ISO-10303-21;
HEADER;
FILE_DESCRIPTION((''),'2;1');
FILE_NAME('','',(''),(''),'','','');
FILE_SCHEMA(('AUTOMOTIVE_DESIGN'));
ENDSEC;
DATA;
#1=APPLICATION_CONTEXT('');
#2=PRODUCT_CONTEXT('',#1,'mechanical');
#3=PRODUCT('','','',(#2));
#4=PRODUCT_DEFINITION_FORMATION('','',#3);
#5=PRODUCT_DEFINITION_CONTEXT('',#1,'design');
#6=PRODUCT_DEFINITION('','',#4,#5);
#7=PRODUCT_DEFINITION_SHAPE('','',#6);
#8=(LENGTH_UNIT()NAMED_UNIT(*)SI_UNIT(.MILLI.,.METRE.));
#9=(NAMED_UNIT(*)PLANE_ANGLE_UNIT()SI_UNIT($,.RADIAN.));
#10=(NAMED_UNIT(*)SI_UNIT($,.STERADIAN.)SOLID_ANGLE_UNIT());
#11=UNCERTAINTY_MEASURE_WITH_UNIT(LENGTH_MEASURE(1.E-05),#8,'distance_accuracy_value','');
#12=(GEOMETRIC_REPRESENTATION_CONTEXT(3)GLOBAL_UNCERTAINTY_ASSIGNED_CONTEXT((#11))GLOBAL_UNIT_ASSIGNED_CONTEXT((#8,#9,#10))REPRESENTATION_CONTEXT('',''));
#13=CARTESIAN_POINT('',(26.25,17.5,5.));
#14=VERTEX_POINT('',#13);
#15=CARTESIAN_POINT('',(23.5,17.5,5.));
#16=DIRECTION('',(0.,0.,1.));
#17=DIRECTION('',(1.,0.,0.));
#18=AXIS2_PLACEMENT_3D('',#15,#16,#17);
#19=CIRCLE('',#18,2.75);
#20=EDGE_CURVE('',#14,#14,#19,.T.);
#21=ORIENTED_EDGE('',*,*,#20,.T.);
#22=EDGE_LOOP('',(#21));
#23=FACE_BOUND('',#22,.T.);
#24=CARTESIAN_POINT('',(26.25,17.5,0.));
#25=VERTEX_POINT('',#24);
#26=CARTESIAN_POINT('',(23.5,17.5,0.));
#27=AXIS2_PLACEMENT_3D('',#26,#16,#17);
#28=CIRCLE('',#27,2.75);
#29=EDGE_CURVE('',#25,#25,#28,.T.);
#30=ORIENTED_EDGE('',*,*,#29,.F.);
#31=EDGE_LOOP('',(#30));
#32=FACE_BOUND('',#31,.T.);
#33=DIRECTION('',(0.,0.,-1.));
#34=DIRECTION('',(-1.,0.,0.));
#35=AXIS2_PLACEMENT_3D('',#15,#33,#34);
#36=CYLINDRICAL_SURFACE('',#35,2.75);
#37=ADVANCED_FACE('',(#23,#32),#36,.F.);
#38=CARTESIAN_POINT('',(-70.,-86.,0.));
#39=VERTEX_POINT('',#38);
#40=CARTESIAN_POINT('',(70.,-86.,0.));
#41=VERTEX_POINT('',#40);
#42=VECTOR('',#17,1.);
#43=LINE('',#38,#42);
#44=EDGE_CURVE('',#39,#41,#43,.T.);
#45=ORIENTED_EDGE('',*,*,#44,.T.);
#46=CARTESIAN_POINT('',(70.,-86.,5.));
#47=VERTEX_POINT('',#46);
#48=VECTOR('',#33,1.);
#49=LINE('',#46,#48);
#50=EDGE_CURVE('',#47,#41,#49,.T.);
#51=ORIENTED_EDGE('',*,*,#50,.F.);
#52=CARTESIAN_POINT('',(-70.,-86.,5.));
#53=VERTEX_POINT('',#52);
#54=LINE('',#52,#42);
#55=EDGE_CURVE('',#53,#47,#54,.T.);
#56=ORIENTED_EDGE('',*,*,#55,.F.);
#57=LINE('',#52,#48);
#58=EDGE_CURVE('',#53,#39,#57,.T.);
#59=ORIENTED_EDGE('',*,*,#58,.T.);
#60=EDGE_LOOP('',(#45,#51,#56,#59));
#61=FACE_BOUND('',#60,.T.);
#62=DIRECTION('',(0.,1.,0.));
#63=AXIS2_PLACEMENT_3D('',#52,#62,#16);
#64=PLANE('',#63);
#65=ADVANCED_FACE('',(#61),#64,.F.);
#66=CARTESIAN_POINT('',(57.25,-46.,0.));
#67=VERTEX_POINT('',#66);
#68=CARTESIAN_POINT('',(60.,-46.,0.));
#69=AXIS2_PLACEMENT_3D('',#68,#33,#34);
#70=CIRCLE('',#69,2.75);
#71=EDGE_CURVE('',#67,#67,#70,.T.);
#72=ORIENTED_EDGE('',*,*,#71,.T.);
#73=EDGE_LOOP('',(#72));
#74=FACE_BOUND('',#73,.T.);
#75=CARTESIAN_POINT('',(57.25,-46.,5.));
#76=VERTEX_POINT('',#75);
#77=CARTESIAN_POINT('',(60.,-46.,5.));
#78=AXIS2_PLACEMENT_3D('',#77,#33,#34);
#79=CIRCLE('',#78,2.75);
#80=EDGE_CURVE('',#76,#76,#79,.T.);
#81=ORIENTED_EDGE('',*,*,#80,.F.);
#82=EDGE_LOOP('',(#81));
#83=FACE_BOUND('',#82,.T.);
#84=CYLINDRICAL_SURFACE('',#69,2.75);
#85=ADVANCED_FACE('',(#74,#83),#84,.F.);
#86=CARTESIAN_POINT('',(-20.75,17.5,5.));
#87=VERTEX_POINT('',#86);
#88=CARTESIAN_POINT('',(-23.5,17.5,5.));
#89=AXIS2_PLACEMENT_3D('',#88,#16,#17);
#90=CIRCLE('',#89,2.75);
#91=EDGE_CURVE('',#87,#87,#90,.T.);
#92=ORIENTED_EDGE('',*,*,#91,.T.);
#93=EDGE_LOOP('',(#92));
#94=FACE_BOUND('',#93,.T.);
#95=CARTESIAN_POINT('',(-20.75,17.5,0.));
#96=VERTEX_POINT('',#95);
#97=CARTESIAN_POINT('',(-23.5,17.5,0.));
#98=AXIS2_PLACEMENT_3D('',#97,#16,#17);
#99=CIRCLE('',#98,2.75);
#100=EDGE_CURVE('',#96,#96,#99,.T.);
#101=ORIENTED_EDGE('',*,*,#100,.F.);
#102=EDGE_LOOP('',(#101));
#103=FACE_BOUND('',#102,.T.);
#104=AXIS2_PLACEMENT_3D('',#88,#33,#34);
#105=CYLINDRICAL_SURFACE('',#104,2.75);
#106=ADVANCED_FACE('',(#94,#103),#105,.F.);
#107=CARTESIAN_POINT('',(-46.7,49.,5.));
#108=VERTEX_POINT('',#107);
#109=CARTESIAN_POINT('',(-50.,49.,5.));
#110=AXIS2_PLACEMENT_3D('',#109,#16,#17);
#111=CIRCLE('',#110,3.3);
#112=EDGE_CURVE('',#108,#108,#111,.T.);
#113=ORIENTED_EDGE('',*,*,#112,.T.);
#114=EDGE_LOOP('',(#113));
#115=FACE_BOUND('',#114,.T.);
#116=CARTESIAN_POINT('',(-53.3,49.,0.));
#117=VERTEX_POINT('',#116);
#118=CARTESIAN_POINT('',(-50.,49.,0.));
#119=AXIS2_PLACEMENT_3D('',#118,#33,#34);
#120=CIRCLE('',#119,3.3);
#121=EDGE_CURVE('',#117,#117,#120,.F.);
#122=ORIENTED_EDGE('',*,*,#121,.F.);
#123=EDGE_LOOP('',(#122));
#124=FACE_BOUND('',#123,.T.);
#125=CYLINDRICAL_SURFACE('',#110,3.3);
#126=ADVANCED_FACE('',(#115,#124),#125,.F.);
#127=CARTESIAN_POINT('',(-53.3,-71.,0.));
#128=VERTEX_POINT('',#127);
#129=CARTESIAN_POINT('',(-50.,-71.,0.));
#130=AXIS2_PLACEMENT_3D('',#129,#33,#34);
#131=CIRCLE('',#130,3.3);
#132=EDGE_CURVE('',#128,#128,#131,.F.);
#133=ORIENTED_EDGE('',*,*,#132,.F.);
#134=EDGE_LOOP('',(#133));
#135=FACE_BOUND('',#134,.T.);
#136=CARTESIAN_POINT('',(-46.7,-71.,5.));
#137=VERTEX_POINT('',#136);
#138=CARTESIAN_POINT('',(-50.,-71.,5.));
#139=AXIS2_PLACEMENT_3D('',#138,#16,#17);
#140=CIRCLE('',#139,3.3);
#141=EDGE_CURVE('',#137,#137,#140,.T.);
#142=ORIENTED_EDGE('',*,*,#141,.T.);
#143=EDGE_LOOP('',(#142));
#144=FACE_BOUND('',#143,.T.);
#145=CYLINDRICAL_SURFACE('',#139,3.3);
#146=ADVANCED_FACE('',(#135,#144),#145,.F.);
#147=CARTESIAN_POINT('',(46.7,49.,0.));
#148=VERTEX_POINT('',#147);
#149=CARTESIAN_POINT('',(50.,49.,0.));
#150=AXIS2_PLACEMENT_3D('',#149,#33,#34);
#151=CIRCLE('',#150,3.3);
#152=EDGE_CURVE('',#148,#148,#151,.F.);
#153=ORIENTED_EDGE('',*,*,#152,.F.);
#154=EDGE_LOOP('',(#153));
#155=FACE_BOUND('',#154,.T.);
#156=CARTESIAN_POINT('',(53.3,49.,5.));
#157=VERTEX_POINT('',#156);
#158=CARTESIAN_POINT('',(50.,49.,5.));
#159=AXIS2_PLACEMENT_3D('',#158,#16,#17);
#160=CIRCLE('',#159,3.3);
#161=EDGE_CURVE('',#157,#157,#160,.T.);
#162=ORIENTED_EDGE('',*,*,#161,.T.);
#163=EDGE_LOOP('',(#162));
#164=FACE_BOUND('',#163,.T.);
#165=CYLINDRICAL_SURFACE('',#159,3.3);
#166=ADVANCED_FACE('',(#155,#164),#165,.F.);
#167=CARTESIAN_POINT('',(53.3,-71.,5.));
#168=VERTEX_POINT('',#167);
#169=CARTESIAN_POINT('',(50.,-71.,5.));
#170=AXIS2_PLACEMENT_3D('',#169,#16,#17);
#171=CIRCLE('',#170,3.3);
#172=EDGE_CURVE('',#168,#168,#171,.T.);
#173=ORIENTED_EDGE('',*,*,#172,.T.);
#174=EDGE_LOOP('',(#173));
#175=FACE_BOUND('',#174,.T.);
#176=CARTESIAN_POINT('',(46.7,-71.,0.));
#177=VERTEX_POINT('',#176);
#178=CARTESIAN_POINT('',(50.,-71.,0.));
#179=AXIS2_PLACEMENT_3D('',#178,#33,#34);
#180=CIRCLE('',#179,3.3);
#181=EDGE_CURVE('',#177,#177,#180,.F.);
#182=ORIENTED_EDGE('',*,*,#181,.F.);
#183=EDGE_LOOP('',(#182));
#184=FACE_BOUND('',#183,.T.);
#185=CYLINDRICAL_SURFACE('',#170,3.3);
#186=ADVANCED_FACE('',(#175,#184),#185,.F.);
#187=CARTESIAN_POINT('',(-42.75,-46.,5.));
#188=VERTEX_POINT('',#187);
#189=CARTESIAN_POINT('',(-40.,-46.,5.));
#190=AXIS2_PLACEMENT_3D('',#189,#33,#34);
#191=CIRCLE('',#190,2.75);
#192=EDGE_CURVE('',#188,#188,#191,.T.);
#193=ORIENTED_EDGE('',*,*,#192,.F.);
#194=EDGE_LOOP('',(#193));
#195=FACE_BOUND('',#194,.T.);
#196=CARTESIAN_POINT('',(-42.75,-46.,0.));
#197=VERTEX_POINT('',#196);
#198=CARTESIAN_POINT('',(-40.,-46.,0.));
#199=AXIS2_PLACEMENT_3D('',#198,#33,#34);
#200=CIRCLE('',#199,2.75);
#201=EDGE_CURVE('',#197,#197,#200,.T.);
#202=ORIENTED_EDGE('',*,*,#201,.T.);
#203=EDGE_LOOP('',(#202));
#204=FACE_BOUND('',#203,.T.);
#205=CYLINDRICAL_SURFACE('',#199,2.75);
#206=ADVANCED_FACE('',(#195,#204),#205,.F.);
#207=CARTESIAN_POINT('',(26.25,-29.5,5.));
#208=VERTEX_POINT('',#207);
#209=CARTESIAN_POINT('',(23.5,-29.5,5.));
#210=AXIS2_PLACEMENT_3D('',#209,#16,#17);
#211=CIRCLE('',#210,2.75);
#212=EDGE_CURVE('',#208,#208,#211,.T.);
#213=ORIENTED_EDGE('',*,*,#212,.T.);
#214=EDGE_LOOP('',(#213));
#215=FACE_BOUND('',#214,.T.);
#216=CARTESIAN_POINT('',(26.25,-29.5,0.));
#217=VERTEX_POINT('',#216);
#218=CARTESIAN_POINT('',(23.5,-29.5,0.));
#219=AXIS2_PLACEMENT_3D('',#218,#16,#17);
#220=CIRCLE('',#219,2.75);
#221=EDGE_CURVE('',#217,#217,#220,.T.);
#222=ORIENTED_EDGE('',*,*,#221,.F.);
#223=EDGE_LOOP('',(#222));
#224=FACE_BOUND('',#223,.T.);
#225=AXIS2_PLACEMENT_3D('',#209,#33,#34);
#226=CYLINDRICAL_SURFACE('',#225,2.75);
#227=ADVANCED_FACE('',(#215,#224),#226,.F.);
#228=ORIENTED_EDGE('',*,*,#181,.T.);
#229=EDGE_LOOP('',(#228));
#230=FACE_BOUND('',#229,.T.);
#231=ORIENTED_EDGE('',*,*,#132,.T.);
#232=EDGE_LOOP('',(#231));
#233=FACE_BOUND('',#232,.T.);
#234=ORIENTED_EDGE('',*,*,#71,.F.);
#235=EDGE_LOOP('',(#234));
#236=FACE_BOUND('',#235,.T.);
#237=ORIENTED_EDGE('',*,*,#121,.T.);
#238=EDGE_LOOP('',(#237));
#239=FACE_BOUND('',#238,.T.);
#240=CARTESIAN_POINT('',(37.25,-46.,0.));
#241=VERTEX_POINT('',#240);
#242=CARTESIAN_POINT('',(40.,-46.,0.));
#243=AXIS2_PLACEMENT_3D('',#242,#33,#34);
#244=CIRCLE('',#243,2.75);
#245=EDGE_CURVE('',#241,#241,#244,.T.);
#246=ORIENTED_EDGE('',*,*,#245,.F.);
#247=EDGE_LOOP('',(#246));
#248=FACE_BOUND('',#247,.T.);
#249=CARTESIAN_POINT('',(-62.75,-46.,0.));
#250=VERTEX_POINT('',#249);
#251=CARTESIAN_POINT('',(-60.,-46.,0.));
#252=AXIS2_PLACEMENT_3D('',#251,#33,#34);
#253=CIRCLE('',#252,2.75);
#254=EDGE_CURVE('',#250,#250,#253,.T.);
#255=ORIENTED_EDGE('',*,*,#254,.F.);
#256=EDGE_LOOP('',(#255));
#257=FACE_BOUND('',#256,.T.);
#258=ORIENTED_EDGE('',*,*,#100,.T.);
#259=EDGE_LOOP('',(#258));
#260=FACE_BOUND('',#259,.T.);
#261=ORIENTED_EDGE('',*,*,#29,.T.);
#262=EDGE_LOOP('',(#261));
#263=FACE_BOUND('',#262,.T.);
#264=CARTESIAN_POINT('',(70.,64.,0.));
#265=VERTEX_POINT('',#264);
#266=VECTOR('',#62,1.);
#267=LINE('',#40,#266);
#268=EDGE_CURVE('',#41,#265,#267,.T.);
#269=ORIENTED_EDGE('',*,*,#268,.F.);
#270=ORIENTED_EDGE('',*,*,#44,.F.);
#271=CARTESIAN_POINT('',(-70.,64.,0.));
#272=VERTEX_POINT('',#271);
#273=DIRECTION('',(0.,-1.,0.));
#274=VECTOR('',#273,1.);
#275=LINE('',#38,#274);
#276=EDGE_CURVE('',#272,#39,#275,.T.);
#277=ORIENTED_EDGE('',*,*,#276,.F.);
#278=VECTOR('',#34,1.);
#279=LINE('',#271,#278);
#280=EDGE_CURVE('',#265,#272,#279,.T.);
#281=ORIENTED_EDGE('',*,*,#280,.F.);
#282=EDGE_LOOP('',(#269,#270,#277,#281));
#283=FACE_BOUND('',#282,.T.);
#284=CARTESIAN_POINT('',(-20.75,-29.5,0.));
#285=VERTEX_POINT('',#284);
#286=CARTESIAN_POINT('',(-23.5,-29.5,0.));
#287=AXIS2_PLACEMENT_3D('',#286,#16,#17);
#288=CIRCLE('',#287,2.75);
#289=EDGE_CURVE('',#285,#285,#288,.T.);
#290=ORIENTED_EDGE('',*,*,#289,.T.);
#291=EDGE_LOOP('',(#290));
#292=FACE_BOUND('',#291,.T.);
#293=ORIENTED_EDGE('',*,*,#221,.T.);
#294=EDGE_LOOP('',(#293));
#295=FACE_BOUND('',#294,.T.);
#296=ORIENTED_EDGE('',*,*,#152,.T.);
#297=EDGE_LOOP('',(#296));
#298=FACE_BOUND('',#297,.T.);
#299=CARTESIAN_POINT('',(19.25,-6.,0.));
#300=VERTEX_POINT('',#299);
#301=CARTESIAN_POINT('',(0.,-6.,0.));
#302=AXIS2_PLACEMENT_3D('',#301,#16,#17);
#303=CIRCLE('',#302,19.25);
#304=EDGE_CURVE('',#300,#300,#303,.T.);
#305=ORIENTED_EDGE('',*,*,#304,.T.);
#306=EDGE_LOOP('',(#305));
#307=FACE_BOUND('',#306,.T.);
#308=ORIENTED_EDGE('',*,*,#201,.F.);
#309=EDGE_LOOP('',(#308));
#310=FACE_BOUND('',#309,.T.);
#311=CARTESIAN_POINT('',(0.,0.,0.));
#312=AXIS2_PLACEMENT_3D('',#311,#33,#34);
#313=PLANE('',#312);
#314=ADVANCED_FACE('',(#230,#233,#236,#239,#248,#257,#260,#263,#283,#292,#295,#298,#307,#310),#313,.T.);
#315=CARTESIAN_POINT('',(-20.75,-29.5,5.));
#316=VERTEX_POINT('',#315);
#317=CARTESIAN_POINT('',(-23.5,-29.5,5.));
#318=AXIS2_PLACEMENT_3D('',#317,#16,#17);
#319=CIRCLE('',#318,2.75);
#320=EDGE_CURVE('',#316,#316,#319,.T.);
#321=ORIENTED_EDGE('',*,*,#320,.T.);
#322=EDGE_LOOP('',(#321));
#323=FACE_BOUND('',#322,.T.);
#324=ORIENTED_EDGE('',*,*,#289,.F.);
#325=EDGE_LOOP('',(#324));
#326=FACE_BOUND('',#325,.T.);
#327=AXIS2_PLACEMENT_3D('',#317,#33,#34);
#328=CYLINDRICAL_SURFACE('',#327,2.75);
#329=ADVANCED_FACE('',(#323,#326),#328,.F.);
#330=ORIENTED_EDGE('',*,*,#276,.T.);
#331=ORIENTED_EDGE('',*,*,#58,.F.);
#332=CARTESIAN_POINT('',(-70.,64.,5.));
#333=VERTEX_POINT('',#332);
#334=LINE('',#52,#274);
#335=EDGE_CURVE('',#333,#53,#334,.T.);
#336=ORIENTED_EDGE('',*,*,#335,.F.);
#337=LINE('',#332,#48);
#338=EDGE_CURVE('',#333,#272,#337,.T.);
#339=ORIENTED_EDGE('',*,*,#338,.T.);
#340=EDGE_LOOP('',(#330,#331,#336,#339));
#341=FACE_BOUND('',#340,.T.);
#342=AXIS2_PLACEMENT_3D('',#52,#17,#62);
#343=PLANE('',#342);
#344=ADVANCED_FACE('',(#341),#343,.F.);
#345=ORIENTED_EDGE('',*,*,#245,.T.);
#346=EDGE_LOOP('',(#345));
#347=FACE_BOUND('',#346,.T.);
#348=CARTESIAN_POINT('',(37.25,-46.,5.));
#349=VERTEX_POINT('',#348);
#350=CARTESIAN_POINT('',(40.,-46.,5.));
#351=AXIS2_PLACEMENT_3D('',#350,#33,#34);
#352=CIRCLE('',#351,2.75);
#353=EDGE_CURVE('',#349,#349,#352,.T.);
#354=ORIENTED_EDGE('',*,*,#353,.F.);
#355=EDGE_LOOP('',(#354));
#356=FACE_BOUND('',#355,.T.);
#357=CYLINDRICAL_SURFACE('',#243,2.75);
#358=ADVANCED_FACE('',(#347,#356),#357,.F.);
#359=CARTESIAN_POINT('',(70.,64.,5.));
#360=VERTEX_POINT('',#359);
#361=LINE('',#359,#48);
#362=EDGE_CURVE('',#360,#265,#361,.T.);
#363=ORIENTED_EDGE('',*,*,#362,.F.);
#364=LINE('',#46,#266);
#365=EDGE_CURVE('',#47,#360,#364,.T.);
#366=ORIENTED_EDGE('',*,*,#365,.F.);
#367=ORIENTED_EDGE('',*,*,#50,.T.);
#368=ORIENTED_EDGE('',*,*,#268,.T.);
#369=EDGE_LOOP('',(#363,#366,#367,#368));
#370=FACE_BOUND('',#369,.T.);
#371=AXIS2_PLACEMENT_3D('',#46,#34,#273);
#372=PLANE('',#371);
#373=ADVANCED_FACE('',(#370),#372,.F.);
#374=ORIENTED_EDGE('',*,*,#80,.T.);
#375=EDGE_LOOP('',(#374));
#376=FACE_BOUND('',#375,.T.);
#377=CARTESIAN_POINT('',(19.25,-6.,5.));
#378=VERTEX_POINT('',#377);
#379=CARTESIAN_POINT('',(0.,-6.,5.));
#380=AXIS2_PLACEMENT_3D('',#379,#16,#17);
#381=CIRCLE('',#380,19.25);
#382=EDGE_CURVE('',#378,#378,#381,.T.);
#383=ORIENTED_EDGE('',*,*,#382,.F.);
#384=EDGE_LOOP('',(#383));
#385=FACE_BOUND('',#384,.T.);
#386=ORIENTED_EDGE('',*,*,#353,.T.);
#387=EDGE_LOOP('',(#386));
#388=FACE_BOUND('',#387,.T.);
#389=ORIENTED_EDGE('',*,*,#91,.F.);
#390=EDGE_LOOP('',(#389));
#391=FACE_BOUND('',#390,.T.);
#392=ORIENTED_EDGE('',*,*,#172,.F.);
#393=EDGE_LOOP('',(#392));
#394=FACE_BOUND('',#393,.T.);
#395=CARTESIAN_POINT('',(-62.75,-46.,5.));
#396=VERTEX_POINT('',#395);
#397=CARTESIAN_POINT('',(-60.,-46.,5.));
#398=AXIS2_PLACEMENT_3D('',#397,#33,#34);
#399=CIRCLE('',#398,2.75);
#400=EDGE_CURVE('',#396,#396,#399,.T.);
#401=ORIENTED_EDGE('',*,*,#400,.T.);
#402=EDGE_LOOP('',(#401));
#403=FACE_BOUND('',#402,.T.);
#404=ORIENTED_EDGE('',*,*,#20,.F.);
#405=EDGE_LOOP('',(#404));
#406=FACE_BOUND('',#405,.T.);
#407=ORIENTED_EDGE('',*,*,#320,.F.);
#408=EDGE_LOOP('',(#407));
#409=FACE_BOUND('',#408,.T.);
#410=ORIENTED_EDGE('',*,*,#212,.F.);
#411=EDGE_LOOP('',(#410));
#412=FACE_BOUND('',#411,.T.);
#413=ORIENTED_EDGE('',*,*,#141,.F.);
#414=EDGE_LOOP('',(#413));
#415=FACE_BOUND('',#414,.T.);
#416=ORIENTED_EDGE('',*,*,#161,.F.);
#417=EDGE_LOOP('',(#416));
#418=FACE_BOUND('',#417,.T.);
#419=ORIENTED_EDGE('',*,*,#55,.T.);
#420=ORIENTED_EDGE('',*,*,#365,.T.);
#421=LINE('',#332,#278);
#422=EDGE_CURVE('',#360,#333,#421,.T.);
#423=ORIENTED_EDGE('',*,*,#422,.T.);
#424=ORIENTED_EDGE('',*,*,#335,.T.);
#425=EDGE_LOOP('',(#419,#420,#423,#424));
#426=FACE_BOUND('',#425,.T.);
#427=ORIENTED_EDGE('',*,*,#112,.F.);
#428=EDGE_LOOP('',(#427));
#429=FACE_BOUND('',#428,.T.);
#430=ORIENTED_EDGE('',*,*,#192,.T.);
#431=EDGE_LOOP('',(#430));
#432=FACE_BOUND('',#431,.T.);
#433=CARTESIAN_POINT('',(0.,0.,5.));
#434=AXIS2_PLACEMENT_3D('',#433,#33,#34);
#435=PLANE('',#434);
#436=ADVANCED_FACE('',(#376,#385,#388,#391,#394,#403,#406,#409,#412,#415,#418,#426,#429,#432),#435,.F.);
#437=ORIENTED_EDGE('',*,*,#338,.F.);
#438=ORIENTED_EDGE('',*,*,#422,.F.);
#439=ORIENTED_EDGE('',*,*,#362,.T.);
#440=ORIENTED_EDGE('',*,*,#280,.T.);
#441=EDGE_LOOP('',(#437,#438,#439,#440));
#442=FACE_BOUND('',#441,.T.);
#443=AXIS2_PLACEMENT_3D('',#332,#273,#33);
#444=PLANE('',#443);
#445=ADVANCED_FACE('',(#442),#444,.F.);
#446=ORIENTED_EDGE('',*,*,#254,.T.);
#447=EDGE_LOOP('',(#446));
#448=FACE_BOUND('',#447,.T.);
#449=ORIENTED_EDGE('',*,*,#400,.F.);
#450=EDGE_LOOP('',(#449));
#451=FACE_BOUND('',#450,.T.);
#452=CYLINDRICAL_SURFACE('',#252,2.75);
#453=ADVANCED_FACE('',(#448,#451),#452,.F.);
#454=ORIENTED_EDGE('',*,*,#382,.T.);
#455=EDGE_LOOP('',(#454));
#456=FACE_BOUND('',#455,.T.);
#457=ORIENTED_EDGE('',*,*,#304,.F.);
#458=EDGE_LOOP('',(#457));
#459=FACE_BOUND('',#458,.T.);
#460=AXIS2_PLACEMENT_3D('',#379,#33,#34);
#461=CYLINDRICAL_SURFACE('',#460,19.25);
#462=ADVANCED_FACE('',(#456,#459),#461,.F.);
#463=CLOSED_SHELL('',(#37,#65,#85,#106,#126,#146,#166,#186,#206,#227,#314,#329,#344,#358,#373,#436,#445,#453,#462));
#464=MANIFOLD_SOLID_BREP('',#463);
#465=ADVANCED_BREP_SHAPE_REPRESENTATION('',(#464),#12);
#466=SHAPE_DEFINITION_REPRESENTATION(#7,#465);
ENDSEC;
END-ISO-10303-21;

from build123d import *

# Parameters (mm, degrees)
SKETCH1_W             = 140
SKETCH1_H             = 150
SKETCH1_R             = 2.75
SKETCH1_R_2           = 19.25
BOSS_EXTRUDE1_DEPTH   = 5
F_5_0MM_DOWEL_HOLE1_D = 5.5
F_6_0MM_DOWEL_HOLE2_D = 6.6


with BuildPart() as part:
    # Sketch1 → Boss-Extrude1 (new body)
    with BuildSketch(Plane.XY):
        with Locations((0, -11)):
            Rectangle(SKETCH1_W, SKETCH1_H)
        with Locations((23.5, 17.5)):
            Circle(SKETCH1_R, mode=Mode.SUBTRACT)
        with Locations((-23.5, 17.5)):
            Circle(SKETCH1_R, mode=Mode.SUBTRACT)
        with Locations((-23.5, -29.5)):
            Circle(SKETCH1_R, mode=Mode.SUBTRACT)
        with Locations((23.5, -29.5)):
            Circle(SKETCH1_R, mode=Mode.SUBTRACT)
        with Locations((0, -6)):
            Circle(SKETCH1_R_2, mode=Mode.SUBTRACT)
    extrude(amount=BOSS_EXTRUDE1_DEPTH)

    # Ø5.0mm Dowel Hole1 (through all)
    with Locations(Plane(origin=(60, -46, 0), x_dir=(-1, 0, 0), z_dir=(0, 0, -1))):
        with Locations((0, 0), (120, 0), (100, 0), (20, 0)):
            Hole(F_5_0MM_DOWEL_HOLE1_D / 2)

    # Ø6.0mm Dowel Hole2 (through all)
    with Locations(Plane(origin=(-50, 49, 5), x_dir=(1, 0, 0), z_dir=(0, 0, 1))):
        with Locations((0, 0), (100, 0), (100, -120), (0, -120)):
            Hole(F_6_0MM_DOWEL_HOLE2_D / 2)


solid = part.part
